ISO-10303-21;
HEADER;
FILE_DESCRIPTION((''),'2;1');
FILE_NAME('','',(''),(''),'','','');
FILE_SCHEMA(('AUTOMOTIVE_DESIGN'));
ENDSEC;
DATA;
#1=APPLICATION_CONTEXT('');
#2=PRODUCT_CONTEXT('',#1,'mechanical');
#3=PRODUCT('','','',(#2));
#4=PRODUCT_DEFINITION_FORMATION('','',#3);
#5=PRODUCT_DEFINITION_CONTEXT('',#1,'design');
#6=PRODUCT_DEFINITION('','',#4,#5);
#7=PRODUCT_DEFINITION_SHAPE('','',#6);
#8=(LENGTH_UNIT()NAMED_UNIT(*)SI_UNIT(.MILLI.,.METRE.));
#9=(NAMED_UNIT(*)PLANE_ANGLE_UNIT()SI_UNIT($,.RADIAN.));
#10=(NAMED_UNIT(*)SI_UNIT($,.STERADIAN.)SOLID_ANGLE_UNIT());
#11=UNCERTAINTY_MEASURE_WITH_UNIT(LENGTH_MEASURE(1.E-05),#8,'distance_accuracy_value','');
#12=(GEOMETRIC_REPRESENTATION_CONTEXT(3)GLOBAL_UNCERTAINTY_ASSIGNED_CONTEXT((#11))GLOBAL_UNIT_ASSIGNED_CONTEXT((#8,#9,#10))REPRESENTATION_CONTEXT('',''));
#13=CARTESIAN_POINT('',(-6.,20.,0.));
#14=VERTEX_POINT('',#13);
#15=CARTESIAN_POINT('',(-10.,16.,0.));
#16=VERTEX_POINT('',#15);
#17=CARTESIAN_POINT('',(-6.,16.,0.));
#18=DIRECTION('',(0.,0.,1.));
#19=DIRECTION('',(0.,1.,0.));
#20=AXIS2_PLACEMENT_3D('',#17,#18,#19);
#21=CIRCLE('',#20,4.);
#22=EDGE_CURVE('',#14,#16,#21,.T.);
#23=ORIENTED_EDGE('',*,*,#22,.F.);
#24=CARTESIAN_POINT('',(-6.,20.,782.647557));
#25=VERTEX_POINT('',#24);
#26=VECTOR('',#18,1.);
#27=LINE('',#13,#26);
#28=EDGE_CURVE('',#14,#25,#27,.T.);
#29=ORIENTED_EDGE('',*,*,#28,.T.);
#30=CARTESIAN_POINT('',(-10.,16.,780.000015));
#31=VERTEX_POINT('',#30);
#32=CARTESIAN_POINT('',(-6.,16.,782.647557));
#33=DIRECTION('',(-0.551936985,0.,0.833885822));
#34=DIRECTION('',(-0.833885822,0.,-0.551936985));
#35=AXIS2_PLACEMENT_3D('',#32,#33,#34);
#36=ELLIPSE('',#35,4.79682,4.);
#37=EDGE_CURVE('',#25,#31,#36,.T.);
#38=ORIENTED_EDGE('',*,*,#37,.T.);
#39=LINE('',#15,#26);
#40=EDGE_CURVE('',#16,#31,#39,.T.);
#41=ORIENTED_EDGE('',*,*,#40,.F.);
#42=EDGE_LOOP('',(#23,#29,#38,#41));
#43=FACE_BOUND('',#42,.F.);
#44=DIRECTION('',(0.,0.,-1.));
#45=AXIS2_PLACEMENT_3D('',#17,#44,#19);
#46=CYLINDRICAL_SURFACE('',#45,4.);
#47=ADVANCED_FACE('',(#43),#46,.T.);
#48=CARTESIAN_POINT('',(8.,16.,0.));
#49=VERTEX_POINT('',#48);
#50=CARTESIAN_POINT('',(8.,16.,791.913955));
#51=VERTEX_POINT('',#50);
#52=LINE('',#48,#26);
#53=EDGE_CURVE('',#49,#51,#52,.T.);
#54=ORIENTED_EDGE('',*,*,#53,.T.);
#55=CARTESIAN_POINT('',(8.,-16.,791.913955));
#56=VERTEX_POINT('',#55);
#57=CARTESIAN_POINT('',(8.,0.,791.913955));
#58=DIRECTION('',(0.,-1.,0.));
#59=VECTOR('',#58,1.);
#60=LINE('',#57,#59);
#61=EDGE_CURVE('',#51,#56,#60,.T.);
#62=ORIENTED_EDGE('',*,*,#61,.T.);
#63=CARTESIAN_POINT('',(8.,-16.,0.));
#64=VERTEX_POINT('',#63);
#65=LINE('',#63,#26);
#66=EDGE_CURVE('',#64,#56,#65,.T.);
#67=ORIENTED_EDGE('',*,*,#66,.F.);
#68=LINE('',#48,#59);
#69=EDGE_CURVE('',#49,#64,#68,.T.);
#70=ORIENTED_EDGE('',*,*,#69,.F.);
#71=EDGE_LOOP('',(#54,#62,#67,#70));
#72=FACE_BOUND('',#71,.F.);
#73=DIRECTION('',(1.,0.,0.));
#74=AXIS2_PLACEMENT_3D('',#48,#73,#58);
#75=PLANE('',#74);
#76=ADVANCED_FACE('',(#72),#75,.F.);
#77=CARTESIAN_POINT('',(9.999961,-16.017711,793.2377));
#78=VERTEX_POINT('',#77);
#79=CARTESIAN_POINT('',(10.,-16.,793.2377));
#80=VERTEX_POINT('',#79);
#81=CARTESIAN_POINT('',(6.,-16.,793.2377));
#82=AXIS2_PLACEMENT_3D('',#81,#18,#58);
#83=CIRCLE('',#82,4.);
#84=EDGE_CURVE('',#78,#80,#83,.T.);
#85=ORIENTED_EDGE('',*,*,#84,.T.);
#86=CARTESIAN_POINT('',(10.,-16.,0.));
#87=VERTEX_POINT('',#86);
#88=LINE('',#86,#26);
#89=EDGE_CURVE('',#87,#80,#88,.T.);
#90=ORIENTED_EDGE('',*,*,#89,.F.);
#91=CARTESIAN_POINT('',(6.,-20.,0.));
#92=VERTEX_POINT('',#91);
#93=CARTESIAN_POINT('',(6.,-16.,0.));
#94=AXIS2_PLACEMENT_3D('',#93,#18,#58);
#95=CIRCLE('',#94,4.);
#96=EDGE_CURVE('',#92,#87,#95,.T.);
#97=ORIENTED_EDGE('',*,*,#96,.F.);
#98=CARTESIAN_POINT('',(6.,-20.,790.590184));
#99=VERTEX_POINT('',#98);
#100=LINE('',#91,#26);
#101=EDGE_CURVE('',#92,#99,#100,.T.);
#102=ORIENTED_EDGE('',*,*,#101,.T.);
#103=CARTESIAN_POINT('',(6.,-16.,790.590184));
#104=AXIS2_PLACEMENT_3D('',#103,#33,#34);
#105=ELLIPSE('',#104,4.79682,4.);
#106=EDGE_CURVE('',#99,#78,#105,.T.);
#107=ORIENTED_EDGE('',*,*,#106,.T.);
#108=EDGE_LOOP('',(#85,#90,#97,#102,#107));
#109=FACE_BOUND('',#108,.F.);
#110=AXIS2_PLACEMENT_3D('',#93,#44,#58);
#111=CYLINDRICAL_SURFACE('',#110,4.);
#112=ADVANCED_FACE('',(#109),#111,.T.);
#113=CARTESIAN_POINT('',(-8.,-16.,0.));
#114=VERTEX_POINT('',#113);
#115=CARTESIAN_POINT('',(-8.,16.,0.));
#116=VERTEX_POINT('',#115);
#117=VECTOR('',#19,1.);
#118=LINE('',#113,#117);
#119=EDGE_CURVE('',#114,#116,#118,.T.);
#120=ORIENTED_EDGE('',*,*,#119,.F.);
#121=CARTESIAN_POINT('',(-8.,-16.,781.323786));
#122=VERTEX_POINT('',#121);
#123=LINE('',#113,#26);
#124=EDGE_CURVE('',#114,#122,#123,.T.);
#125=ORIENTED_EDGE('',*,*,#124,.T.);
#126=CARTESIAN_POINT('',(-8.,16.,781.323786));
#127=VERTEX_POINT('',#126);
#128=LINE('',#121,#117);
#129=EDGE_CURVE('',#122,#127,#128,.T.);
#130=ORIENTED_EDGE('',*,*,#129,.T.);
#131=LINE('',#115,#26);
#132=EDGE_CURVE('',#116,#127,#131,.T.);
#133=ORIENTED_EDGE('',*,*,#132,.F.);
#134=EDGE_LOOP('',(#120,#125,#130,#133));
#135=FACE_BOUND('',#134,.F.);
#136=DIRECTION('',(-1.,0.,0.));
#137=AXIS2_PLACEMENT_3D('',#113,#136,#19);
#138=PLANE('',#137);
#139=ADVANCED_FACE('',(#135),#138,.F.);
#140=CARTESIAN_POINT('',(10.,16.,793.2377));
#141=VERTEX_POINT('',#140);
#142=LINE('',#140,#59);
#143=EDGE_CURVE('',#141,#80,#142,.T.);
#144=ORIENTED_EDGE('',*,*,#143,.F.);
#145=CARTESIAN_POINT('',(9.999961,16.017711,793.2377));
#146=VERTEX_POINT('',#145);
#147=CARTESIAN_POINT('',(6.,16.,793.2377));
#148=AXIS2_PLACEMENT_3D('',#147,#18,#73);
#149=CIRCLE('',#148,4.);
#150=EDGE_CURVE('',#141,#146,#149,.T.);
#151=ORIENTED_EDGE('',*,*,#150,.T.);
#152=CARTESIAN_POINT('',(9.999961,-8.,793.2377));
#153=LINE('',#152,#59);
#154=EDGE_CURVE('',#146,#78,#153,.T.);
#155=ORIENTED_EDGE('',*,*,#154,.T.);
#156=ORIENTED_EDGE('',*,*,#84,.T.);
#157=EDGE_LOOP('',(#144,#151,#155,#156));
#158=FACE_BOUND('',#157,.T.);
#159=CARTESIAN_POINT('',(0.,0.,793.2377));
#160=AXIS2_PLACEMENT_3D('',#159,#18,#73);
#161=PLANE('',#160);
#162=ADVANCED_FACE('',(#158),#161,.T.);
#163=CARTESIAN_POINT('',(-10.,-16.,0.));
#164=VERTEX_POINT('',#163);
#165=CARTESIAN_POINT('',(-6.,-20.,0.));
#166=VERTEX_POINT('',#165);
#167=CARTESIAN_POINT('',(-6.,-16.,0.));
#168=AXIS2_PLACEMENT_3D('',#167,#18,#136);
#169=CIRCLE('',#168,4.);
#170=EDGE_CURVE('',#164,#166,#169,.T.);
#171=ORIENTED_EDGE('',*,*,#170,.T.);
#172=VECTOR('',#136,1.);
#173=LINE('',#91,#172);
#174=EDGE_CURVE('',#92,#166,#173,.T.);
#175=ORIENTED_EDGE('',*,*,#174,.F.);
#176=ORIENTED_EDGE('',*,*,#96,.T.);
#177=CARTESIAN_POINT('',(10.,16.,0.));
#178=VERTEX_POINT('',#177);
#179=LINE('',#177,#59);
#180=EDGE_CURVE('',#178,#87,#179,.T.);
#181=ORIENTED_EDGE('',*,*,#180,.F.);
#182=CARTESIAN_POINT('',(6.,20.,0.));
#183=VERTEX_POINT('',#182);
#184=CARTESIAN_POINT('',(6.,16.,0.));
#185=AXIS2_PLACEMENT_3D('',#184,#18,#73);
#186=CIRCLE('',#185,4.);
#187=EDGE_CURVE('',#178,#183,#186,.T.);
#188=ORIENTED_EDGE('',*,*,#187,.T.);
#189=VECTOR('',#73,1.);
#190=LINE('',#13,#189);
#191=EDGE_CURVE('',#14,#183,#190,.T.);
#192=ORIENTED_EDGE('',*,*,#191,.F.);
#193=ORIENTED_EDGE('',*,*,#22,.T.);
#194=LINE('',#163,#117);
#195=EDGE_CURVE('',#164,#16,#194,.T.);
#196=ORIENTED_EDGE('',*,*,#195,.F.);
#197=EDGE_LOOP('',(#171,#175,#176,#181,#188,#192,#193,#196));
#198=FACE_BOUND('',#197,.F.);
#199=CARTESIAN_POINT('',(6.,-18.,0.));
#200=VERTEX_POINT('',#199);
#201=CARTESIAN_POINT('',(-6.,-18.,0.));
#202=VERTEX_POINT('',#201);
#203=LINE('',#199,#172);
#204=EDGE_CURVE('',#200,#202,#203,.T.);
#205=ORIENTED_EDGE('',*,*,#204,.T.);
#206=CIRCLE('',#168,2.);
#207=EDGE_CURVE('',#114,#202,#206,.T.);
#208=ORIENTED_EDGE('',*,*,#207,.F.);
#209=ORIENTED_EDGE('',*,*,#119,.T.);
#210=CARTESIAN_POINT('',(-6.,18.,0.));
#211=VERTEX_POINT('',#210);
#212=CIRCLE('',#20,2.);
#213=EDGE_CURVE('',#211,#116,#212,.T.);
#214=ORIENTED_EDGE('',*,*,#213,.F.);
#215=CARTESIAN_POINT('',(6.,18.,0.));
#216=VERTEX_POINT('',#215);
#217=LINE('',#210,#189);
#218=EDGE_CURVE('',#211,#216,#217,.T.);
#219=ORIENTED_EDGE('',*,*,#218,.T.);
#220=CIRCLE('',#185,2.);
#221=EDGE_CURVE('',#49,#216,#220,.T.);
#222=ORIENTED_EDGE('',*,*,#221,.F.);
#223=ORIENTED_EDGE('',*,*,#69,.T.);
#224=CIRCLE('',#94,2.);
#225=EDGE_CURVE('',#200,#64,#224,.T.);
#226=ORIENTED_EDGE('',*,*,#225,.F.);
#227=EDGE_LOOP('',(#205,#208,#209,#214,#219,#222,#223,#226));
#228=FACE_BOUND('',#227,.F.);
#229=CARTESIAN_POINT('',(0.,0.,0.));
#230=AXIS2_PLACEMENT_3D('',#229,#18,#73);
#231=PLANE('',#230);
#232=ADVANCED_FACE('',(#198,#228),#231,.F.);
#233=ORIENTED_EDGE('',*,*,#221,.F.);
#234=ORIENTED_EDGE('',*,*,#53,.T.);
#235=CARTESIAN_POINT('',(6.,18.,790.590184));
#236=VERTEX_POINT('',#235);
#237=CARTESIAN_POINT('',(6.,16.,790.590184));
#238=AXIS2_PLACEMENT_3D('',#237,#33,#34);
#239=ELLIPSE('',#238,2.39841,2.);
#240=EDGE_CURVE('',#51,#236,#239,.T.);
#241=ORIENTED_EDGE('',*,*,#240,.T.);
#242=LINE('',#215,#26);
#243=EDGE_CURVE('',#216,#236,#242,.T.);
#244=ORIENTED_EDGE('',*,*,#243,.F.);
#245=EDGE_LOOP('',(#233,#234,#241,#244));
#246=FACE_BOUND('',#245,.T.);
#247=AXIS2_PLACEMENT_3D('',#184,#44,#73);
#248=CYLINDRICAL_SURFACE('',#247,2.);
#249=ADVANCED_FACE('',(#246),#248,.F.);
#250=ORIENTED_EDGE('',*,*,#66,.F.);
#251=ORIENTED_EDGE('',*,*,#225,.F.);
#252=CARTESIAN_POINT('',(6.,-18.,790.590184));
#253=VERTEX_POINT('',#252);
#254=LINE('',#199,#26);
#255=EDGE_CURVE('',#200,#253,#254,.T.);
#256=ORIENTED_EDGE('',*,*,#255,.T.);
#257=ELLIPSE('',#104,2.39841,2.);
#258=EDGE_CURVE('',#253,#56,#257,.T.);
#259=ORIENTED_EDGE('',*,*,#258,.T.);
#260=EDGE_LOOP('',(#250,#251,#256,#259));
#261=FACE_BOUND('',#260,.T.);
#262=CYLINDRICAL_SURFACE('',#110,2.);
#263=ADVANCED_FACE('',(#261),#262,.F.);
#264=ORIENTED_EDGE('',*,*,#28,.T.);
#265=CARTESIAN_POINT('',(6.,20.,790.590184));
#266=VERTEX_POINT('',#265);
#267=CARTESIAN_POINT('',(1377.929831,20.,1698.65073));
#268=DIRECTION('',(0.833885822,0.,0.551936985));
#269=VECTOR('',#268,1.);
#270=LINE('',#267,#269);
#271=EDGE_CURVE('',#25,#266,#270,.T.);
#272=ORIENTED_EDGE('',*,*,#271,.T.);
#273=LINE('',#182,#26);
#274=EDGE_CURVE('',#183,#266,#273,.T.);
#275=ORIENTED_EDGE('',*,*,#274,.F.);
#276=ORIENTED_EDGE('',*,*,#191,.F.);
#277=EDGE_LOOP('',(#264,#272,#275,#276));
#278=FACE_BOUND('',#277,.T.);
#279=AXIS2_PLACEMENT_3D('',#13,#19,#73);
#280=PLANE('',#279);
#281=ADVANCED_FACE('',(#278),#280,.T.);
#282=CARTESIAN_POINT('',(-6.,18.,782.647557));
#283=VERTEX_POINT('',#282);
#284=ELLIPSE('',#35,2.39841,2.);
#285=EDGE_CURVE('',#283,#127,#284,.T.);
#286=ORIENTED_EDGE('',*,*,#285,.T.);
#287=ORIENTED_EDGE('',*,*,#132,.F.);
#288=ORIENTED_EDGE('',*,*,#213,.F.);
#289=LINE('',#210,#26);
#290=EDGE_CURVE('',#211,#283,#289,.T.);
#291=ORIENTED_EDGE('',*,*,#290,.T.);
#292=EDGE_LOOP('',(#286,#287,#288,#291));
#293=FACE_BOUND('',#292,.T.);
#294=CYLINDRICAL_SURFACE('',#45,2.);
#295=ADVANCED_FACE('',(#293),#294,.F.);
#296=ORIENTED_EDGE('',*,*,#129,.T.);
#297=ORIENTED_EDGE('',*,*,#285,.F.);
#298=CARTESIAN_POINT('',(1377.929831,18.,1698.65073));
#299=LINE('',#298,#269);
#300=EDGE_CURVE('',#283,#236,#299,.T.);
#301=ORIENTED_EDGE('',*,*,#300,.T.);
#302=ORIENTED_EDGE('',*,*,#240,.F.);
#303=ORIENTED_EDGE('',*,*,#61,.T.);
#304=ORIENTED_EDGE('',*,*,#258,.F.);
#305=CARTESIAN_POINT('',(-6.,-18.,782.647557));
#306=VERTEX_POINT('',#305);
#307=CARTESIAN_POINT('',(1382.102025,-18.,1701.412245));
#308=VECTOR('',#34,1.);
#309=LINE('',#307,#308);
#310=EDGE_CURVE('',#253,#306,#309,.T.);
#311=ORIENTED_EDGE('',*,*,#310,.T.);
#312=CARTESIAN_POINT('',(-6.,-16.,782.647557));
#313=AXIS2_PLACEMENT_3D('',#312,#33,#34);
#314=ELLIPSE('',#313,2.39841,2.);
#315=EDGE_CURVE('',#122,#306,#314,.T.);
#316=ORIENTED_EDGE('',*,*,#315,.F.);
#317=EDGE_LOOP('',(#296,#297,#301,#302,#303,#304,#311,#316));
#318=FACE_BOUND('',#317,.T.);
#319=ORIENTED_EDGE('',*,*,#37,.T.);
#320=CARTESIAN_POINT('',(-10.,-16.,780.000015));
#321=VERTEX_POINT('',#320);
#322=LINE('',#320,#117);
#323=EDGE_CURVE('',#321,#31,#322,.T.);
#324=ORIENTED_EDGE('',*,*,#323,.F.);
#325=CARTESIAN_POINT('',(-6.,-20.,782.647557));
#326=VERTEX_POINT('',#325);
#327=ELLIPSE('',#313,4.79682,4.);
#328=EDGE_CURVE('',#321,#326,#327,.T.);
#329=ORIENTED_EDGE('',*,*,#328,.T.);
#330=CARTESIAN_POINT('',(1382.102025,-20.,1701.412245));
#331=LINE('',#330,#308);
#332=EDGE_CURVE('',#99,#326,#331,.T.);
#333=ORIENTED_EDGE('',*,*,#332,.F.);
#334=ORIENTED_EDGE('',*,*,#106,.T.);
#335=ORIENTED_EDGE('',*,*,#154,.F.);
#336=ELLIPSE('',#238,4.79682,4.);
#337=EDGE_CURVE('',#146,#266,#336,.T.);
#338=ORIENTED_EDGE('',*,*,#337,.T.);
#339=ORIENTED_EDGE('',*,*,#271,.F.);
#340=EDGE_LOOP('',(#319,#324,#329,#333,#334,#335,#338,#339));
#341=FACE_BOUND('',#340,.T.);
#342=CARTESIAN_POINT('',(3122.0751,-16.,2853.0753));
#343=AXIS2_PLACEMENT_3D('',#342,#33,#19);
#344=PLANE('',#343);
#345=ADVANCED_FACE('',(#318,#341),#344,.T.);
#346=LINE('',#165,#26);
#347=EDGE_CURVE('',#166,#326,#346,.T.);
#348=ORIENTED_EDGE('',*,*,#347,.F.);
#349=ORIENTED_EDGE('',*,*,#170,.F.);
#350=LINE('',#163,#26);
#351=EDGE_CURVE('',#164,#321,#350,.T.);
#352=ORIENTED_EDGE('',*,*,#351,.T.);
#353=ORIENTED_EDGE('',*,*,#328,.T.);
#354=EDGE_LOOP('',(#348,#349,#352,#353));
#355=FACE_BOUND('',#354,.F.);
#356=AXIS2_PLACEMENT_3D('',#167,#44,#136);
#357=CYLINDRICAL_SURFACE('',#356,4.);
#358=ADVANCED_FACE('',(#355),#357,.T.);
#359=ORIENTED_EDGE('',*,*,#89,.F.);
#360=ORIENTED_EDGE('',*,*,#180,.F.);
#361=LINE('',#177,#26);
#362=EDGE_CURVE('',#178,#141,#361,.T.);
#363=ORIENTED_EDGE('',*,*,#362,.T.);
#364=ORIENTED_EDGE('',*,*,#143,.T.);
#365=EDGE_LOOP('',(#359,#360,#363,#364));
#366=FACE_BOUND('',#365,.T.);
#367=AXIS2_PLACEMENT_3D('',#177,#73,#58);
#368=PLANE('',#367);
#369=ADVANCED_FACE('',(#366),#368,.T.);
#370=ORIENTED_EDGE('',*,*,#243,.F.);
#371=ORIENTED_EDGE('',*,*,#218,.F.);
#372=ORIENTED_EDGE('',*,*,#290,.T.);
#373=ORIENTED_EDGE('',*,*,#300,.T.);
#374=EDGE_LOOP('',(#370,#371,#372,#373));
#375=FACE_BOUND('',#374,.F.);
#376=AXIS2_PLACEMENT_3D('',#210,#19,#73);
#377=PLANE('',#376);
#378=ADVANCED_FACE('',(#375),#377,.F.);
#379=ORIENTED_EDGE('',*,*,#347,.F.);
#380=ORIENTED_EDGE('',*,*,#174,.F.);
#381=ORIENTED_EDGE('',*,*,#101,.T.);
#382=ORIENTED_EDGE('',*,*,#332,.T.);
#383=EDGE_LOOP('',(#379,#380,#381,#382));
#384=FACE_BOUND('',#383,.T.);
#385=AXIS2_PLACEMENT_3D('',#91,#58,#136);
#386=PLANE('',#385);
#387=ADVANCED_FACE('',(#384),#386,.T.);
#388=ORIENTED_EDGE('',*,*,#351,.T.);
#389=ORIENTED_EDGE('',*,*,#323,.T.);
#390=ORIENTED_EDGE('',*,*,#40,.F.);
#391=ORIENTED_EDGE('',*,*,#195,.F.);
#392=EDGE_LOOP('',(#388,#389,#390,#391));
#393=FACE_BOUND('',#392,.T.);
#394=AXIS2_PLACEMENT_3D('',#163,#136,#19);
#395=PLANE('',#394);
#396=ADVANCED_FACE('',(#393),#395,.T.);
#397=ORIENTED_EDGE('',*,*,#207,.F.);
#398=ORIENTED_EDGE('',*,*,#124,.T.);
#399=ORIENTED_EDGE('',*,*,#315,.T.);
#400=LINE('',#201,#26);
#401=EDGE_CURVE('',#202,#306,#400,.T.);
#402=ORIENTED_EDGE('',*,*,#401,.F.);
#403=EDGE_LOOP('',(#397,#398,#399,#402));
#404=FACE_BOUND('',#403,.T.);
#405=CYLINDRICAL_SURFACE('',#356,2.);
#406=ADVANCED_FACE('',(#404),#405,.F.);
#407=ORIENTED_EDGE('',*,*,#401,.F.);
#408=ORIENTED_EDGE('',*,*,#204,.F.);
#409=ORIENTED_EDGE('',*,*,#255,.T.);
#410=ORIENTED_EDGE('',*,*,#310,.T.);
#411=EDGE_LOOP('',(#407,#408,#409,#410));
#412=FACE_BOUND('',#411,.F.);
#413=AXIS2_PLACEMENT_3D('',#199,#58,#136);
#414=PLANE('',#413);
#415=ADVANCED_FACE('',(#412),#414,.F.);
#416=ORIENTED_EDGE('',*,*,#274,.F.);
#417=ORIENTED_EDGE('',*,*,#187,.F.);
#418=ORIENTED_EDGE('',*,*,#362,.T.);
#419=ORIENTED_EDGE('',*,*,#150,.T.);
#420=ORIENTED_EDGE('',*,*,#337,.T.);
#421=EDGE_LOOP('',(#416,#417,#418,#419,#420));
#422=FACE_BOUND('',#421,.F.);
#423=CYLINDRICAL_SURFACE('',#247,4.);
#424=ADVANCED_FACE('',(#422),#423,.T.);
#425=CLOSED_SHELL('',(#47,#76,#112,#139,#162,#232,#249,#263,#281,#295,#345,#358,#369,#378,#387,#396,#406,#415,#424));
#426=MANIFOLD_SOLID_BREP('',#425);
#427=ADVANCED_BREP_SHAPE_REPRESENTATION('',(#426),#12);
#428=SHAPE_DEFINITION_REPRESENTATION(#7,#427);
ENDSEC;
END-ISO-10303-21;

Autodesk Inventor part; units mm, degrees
ref_plane "Start Plane" through (0, 0, 0) normal (0, 0, 1) x (1, 0, 0)
ref_plane "End Plane" through (0, 0, 793.2377) normal (0, 0, 1) x (1, 0, 0)
sketch "Sketch" plane through (0, 0, 0) normal (0, 0, 1) x (1, 0, 0)
  line L0 (-10, -16) -> (-10, 16)
  line L1 (-6, 20) -> (6, 20)
  line L2 (10, 16) -> (10, -16)
  line L3 (6, -20) -> (-6, -20)
  arc A0 (-10, -16) -> (-6, -20) centre (-6, -16) ccw
  arc A1 (10, 16) -> (6, 20) centre (6, 16) ccw
  arc A2 (-6, 20) -> (-10, 16) centre (-6, 16) ccw
  arc A3 (6, -20) -> (10, -16) centre (6, -16) ccw
  arc A4 (-6, 18) -> (-8, 16) centre (-6, 16) ccw
  line L4 (-6, 18) -> (6, 18)
  arc A5 (8, 16) -> (6, 18) centre (6, 16) ccw
  line L5 (8, 16) -> (8, -16)
  arc A6 (6, -18) -> (8, -16) centre (6, -16) ccw
  line L6 (6, -18) -> (-6, -18)
  arc A7 (-8, -16) -> (-6, -18) centre (-6, -16) ccw
  line L7 (-8, -16) -> (-8, 16)
  line L8 (0, 29.1598) -> (0, -29.1598) construction
  line L9 (-15.1598, 0) -> (15.1598, 0) construction
  dimension "d7" = 4
  dimension "d9" = 20
  dimension "d11" = 40
  dimension "d12" = 2
  dimension "d15" = 10
  dimension "d16" = 20
extrude "Body" add sketch "Sketch" along normal up to surface (793.2377 mm away) from surface at 0
sketch "Sketch3" plane through (0, 0, 0) normal (0, 0, 1) x (1, 0, 0)
  line L0 (0, 0) -> (10, 0)
ref_plane "Work Plane3" through (0, 0, 0) normal (0, -1, 0) x (1, 0, 0)
ref_plane "Work Plane4" through (3122.0751, -16, 2853.0753) normal (-0.5519, 0, 0.8339) x (0.8339, 0, 0.5519)
split "Split1" plane through (3122.0751, -16, 2853.0753) removes the side toward (-0.5519, 0, 0.8339)
sketch "Sketch4" plane through (0, 0, 0) normal (0, -1, 0) x (1, 0, 0)
  line L0 (-2, 0) -> (12, 0) projected
  line L1 (-2, 793.2377) -> (12, 793.2377) projected
  dimension "d18" = 793.2377
equation "\"d7\" = G_IR"
equation "\"d9\" = G_W"
equation "\"d11\" = G_H"
equation "\"d12\" = G_T"
equation "\"d15\" = 0.5 * d9"
equation "\"d16\" = 0.5 * d11"
equation "\"d3\" = G_L"
equation "\"G_W\" = 20"
equation "\"G_H\" = 40"
equation "\"G_T\" = 2"
equation "\"G_IR\" = 4"
equation "\"G_L\" = d18"
equation "\"G_OFFSET_START\" = 0"
equation "\"G_OFFSET_END\" = 13.23771"
equation "\"d14\" = G_OFFSET_END + B_L"
equation "\"B_L\" = 780"
properties part number "ISO 4019 - 40x20x2 - 793,24" material "Steel, Mild"
